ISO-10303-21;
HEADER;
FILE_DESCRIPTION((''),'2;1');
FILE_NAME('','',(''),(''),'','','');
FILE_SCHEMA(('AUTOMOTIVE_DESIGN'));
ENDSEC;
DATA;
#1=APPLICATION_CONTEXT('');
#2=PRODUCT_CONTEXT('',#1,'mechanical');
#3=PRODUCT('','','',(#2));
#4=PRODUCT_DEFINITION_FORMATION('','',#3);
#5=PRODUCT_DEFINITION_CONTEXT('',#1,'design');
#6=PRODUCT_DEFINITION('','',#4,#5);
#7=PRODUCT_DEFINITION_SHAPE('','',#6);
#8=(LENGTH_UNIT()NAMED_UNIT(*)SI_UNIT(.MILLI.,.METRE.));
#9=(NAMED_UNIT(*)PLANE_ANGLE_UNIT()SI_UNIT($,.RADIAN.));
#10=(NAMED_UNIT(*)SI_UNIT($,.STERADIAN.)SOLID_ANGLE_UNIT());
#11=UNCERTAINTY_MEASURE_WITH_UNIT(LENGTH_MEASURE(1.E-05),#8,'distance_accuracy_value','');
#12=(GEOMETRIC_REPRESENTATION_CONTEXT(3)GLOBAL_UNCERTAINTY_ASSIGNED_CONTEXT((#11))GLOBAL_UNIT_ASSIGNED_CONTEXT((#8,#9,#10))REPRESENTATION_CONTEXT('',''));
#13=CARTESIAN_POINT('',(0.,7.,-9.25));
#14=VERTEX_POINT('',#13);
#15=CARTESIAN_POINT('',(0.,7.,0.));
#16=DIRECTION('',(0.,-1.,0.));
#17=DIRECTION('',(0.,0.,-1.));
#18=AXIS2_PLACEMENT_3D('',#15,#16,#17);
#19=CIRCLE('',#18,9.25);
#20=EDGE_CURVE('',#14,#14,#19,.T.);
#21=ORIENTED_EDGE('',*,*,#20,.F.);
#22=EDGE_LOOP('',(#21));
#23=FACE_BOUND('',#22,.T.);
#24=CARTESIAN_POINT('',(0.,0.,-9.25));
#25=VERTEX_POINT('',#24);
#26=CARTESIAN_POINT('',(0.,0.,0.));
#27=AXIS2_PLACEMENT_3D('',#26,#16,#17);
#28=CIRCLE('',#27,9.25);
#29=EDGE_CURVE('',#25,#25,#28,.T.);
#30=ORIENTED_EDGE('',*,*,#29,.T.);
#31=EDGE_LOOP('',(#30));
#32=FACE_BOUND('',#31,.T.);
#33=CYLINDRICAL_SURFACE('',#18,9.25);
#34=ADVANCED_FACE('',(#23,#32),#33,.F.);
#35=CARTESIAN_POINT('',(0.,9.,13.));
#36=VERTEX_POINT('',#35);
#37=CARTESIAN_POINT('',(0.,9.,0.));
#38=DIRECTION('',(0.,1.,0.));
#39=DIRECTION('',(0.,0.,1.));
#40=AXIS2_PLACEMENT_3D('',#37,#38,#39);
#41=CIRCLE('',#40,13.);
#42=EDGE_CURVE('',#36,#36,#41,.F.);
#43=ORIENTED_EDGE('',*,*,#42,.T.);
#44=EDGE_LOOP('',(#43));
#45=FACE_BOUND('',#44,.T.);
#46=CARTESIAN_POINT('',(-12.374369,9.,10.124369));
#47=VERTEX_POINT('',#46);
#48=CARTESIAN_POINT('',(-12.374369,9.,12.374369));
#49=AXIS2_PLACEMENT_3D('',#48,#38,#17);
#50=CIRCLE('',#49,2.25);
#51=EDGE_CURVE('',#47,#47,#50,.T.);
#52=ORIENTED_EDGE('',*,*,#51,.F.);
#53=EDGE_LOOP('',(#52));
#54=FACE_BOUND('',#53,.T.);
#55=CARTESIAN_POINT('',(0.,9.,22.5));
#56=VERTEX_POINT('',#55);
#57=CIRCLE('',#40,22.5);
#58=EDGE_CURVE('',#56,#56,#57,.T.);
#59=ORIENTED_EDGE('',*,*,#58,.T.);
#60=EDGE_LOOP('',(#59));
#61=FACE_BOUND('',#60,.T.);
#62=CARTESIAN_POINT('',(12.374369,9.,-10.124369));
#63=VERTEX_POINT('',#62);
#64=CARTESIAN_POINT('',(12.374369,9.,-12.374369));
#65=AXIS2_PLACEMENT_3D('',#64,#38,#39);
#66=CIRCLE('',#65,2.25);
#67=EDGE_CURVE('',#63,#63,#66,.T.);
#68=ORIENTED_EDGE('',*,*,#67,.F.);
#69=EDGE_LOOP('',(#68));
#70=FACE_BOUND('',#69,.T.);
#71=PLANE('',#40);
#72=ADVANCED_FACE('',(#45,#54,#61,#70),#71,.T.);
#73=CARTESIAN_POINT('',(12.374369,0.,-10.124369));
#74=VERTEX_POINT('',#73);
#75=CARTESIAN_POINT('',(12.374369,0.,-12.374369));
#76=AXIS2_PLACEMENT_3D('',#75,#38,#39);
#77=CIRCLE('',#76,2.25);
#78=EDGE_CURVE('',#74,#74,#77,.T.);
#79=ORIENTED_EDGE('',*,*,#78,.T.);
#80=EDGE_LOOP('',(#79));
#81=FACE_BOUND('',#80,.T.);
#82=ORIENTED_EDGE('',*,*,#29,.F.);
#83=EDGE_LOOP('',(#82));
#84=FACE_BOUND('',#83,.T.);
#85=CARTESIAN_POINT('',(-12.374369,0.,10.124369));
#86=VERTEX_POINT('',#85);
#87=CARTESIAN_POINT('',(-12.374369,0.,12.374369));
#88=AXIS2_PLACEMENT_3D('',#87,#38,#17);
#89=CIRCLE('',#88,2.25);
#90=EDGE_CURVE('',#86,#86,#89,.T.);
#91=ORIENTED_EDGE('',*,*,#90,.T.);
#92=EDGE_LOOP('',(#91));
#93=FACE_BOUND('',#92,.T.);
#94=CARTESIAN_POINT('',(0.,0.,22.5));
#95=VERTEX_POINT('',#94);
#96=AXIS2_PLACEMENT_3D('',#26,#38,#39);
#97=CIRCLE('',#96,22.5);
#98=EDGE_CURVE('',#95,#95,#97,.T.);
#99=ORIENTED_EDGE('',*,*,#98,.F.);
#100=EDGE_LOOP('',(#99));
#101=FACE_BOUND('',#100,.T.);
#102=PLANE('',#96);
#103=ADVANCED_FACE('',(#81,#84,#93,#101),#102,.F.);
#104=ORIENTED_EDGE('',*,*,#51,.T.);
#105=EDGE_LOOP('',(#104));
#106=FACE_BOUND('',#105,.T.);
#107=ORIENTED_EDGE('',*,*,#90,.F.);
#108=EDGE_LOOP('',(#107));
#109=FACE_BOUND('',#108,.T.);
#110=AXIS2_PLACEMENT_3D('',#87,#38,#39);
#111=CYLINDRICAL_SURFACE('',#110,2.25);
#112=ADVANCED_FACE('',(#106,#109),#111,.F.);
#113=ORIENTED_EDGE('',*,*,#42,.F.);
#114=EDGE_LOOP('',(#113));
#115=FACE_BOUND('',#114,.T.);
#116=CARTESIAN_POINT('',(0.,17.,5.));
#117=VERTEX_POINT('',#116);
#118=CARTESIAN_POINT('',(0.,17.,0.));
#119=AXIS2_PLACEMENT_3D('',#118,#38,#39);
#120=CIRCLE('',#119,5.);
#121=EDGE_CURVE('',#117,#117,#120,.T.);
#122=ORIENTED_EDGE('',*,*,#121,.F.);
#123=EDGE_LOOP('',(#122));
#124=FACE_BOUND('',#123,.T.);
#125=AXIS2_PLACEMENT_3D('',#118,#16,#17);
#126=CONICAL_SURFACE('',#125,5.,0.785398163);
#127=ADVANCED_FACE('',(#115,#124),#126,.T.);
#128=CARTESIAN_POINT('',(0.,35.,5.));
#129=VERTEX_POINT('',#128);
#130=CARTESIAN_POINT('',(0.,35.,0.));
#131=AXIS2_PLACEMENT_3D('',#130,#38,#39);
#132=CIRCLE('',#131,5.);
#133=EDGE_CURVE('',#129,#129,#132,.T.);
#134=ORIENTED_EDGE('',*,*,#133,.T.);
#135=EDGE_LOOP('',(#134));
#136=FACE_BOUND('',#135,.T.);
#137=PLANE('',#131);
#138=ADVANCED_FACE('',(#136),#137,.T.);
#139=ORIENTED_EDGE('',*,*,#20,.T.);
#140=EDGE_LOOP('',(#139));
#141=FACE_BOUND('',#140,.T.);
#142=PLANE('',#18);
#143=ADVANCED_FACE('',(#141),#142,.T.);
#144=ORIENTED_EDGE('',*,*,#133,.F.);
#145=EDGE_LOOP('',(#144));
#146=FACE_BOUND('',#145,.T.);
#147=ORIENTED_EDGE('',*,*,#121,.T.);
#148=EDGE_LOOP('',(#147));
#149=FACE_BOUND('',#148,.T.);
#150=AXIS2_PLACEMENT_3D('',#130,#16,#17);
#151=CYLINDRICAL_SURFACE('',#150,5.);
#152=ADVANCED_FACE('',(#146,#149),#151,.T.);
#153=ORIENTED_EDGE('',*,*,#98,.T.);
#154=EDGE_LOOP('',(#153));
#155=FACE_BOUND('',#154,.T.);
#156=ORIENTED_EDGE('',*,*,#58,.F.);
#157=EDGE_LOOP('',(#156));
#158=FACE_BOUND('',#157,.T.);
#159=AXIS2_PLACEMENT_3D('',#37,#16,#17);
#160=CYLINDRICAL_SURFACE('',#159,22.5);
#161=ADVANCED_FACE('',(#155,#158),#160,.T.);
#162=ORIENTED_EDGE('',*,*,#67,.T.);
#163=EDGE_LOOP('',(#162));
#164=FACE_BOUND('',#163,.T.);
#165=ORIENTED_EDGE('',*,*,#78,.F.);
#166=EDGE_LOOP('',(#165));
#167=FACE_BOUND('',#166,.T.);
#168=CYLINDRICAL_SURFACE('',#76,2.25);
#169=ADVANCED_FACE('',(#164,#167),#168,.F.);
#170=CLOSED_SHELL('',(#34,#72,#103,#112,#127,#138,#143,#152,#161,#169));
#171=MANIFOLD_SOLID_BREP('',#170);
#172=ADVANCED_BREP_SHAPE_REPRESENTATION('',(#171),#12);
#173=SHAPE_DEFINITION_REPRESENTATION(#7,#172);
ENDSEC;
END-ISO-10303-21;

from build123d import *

# Parameters (mm, degrees)
SKETCH1_R           = 22.5
BOSS_EXTRUDE1_DEPTH = 9
SKETCH2_R           = 2.25
CUT_EXTRUDE1_DEPTH  = 10
CIRPATTERN1_COUNT   = 2
SKETCH3_R           = 5
BOSS_EXTRUDE2_DEPTH = 26
CHAMFER1_SIZE       = 8
SKETCH6_R           = 9.25
CUT_EXTRUDE4_DEPTH  = 7


with BuildPart() as part:
    # Sketch1 → Boss-Extrude1 (new body)
    with BuildSketch(Plane(origin=(0, 0, 0), x_dir=(1, 0, 0), z_dir=(0, 1, 0))):
        Circle(SKETCH1_R)
    extrude(amount=BOSS_EXTRUDE1_DEPTH)

    # Sketch2 → Cut-Extrude1 (cut, through all)
    with BuildSketch(Plane(origin=(0, 9, 0), x_dir=(1, 0, 0), z_dir=(0, 1, 0))):
        with Locations((12.374368671, 12.374368671)):
            Circle(SKETCH2_R)
    cut_extrude1 = extrude(amount=-CUT_EXTRUDE1_DEPTH, mode=Mode.SUBTRACT)

    # CirPattern1: Cut-Extrude1 ×2 about axis
    cirpattern1_axis = Axis((0, 0, 0), (0, 1, 0))
    for i in range(1, CIRPATTERN1_COUNT):
        add(cut_extrude1.rotate(cirpattern1_axis, i * 360 / CIRPATTERN1_COUNT), mode=Mode.SUBTRACT)

    # Sketch3 → Boss-Extrude2 (add)
    with BuildSketch(Plane(origin=(0, 9, 0), x_dir=(1, 0, 0), z_dir=(0, 1, 0))):
        Circle(SKETCH3_R)
    extrude(amount=BOSS_EXTRUDE2_DEPTH)

    # Chamfer1
    chamfer1_edges = [part.edges().sort_by_distance(p)[0] for p in [
        (-5, 9, 0),
    ]]
    chamfer(chamfer1_edges, length=CHAMFER1_SIZE)

    # Sketch6 → Cut-Extrude4 (cut)
    with BuildSketch(Plane.XZ):
        Circle(SKETCH6_R)
    extrude(amount=-CUT_EXTRUDE4_DEPTH, mode=Mode.SUBTRACT)


solid = part.part
